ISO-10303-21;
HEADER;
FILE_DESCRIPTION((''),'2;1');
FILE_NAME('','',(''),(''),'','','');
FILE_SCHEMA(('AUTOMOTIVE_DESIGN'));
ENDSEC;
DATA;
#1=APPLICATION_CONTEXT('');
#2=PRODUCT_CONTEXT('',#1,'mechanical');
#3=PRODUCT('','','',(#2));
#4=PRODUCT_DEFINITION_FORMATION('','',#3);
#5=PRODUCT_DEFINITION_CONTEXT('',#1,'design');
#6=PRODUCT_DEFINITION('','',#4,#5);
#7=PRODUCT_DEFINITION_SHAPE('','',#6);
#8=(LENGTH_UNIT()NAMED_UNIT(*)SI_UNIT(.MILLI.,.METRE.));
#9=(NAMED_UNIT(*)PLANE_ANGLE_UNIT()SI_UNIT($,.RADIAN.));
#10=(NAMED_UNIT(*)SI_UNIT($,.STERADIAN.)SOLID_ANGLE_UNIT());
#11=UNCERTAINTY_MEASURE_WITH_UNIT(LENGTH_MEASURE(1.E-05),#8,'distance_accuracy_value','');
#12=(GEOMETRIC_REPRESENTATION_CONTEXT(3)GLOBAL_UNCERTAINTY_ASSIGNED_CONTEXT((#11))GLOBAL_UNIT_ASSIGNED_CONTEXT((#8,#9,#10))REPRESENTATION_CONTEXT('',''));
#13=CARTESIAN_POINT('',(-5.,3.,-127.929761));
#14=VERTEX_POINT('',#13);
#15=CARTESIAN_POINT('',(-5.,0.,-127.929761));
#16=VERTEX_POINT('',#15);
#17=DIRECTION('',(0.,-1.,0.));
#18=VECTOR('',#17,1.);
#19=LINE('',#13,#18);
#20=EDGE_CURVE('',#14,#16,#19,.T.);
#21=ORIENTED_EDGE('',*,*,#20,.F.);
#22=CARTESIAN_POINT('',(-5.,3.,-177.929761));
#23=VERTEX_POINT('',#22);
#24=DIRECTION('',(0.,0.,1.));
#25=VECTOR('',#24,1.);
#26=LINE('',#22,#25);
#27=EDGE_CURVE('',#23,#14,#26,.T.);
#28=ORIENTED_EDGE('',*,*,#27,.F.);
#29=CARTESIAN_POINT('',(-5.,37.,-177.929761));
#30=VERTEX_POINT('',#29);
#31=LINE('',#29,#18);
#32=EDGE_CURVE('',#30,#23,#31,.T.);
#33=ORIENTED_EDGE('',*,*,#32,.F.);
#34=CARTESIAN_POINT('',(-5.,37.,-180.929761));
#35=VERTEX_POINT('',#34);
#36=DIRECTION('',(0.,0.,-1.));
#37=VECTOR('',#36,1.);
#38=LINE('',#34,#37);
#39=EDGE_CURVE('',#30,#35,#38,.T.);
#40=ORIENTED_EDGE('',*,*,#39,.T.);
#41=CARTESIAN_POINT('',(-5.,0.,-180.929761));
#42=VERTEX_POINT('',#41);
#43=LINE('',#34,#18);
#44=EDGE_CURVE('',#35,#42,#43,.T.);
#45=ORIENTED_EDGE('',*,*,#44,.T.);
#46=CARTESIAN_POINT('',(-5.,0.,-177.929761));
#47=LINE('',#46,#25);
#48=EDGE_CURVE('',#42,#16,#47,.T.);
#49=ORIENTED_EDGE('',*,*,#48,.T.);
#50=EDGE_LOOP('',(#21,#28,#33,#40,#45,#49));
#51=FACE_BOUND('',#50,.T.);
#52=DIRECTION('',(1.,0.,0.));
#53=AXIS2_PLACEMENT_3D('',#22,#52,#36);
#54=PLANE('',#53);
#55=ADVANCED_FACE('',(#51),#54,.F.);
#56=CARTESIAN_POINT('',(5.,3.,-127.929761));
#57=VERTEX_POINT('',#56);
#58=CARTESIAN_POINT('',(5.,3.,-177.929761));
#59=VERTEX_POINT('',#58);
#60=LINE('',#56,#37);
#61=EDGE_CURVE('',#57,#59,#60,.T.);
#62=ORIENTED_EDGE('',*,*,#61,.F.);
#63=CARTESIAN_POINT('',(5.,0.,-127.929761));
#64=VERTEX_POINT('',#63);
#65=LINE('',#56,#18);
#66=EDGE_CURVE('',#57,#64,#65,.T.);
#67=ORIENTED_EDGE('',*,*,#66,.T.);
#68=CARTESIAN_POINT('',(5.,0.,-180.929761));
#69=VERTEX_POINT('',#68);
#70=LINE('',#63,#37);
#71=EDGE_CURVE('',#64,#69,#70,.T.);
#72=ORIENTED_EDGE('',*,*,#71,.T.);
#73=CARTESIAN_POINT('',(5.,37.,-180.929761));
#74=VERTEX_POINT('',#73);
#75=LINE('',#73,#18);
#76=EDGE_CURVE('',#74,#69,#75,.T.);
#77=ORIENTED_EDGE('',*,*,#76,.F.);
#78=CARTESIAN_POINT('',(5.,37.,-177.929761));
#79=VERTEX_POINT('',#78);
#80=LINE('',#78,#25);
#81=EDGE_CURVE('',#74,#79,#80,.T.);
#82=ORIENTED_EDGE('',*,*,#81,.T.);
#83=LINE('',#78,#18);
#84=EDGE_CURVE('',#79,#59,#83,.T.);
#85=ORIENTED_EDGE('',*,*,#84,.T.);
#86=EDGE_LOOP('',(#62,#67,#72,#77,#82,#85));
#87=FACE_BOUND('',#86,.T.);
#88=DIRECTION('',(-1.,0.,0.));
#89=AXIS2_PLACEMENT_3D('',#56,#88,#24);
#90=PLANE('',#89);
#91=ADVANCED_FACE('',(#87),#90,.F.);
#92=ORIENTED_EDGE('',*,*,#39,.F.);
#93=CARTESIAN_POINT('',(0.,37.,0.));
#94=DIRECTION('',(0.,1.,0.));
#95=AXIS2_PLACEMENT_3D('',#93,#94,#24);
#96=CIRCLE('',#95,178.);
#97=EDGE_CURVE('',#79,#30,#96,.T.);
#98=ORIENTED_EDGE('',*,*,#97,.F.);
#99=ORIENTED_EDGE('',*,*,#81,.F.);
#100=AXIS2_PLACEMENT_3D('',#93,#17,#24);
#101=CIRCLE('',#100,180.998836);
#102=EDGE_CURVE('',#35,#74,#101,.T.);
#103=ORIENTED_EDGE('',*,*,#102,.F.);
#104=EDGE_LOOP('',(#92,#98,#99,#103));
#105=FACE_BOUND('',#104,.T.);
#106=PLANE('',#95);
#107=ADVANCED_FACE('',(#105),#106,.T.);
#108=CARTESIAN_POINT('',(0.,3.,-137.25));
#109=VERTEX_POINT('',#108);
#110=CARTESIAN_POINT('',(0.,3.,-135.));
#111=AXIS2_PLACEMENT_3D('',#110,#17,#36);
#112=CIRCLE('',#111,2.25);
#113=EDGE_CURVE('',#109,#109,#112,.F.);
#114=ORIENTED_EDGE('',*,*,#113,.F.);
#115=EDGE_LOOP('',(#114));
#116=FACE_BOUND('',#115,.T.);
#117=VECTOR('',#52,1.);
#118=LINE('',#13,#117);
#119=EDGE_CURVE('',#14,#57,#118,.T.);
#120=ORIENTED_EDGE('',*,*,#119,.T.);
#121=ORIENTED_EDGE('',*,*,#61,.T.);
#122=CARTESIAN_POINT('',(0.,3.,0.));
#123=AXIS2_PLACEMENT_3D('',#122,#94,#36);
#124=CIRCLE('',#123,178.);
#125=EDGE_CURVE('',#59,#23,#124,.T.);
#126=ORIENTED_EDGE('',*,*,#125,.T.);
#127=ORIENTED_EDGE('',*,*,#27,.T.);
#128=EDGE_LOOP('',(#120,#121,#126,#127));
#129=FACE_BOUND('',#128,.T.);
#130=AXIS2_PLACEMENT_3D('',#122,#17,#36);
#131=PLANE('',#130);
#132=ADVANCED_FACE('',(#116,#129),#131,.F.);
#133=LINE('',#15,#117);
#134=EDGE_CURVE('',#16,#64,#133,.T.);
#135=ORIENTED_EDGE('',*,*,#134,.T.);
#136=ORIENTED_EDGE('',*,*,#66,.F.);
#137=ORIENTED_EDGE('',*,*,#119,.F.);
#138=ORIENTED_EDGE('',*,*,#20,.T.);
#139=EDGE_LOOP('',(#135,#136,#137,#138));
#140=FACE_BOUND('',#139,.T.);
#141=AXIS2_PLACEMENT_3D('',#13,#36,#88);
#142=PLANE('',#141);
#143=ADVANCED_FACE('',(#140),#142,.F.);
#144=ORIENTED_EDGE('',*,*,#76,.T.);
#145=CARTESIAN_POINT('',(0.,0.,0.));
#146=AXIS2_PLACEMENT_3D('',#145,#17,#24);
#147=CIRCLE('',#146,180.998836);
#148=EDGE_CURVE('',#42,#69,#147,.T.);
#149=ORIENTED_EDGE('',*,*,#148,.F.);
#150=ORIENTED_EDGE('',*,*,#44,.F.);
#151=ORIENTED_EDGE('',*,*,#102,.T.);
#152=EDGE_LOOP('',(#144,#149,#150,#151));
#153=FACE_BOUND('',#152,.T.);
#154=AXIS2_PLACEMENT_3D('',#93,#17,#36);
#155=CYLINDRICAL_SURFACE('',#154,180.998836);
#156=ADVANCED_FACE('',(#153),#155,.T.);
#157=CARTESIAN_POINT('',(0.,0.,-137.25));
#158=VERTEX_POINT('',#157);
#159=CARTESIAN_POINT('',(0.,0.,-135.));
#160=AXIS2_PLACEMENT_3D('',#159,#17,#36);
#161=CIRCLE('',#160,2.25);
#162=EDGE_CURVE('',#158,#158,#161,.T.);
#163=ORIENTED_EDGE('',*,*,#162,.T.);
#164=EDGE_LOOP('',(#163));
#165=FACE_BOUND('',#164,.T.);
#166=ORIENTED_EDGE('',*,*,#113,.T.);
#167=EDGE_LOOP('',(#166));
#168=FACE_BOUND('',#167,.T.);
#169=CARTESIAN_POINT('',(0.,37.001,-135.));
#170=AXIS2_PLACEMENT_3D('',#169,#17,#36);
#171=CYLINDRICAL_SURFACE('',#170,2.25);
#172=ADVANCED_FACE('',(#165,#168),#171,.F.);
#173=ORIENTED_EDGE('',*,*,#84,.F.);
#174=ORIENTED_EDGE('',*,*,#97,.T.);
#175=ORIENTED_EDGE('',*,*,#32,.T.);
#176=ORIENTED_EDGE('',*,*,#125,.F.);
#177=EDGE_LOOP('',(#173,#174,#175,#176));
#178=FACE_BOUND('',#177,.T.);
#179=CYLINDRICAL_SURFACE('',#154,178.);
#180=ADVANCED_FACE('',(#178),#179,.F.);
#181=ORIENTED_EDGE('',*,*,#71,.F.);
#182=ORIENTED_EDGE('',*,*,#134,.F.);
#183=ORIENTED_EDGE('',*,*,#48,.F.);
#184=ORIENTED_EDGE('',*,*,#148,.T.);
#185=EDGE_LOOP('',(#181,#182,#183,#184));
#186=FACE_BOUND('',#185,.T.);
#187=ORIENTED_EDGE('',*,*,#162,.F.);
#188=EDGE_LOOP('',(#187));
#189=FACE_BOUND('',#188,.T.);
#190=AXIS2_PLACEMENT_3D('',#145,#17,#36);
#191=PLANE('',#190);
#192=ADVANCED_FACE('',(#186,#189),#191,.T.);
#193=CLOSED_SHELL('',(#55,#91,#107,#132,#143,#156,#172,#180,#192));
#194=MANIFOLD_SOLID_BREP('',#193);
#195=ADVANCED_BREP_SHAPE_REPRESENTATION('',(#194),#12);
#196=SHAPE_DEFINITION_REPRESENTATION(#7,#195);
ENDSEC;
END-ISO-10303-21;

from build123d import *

# Parameters (mm, degrees)
BOSS_EXTRUDE1_DEPTH = 3
BOSS_EXTRUDE2_DEPTH = 37
CUT_EXTRUDE1_REACH  = 39
SKETCH3_R           = 2.25


with BuildPart() as part:
    # Sketch1 → Boss-Extrude1 (new body)
    with BuildSketch(Plane(origin=(0, 0, 0), x_dir=(1, 0, 0), z_dir=(0, 1, 0))):
        with BuildLine():
            Line((-5, 177.929761423), (-5, 127.929761423))
            Line((-5, 127.929761423), (5, 127.929761423))
            Line((5, 127.929761423), (5, 177.929761423))
            ThreePointArc((5, 177.929761423), (0, 178), (-5, 177.929761423))
        make_face()
    extrude(amount=BOSS_EXTRUDE1_DEPTH)

    # Sketch2 → Boss-Extrude2 (add)
    with BuildSketch(Plane.XZ):
        with BuildLine():
            Line((5, -177.929761423), (5, -180.929761423))
            ThreePointArc((5, -180.929761423), (0, -180.998835821), (-5, -180.929761423))
            Line((-5, -180.929761423), (-5, -177.929761423))
            ThreePointArc((-5, -177.929761423), (0, -178), (5, -177.929761423))
        make_face()
    extrude(amount=-BOSS_EXTRUDE2_DEPTH)

    # Sketch3 → Cut-Extrude1 (cut, up to next)
    with BuildSketch(Plane.XZ, mode=Mode.PRIVATE) as cut_extrude1_sk1:
        with Locations((0, -135)):
            Circle(SKETCH3_R)
    cut_extrude1_tool1 = extrude(cut_extrude1_sk1.sketch, amount=-CUT_EXTRUDE1_REACH, mode=Mode.PRIVATE) & part.part
    add(cut_extrude1_tool1.solids().sort_by_distance((0, 0, -135))[0], mode=Mode.SUBTRACT)


solid = part.part
